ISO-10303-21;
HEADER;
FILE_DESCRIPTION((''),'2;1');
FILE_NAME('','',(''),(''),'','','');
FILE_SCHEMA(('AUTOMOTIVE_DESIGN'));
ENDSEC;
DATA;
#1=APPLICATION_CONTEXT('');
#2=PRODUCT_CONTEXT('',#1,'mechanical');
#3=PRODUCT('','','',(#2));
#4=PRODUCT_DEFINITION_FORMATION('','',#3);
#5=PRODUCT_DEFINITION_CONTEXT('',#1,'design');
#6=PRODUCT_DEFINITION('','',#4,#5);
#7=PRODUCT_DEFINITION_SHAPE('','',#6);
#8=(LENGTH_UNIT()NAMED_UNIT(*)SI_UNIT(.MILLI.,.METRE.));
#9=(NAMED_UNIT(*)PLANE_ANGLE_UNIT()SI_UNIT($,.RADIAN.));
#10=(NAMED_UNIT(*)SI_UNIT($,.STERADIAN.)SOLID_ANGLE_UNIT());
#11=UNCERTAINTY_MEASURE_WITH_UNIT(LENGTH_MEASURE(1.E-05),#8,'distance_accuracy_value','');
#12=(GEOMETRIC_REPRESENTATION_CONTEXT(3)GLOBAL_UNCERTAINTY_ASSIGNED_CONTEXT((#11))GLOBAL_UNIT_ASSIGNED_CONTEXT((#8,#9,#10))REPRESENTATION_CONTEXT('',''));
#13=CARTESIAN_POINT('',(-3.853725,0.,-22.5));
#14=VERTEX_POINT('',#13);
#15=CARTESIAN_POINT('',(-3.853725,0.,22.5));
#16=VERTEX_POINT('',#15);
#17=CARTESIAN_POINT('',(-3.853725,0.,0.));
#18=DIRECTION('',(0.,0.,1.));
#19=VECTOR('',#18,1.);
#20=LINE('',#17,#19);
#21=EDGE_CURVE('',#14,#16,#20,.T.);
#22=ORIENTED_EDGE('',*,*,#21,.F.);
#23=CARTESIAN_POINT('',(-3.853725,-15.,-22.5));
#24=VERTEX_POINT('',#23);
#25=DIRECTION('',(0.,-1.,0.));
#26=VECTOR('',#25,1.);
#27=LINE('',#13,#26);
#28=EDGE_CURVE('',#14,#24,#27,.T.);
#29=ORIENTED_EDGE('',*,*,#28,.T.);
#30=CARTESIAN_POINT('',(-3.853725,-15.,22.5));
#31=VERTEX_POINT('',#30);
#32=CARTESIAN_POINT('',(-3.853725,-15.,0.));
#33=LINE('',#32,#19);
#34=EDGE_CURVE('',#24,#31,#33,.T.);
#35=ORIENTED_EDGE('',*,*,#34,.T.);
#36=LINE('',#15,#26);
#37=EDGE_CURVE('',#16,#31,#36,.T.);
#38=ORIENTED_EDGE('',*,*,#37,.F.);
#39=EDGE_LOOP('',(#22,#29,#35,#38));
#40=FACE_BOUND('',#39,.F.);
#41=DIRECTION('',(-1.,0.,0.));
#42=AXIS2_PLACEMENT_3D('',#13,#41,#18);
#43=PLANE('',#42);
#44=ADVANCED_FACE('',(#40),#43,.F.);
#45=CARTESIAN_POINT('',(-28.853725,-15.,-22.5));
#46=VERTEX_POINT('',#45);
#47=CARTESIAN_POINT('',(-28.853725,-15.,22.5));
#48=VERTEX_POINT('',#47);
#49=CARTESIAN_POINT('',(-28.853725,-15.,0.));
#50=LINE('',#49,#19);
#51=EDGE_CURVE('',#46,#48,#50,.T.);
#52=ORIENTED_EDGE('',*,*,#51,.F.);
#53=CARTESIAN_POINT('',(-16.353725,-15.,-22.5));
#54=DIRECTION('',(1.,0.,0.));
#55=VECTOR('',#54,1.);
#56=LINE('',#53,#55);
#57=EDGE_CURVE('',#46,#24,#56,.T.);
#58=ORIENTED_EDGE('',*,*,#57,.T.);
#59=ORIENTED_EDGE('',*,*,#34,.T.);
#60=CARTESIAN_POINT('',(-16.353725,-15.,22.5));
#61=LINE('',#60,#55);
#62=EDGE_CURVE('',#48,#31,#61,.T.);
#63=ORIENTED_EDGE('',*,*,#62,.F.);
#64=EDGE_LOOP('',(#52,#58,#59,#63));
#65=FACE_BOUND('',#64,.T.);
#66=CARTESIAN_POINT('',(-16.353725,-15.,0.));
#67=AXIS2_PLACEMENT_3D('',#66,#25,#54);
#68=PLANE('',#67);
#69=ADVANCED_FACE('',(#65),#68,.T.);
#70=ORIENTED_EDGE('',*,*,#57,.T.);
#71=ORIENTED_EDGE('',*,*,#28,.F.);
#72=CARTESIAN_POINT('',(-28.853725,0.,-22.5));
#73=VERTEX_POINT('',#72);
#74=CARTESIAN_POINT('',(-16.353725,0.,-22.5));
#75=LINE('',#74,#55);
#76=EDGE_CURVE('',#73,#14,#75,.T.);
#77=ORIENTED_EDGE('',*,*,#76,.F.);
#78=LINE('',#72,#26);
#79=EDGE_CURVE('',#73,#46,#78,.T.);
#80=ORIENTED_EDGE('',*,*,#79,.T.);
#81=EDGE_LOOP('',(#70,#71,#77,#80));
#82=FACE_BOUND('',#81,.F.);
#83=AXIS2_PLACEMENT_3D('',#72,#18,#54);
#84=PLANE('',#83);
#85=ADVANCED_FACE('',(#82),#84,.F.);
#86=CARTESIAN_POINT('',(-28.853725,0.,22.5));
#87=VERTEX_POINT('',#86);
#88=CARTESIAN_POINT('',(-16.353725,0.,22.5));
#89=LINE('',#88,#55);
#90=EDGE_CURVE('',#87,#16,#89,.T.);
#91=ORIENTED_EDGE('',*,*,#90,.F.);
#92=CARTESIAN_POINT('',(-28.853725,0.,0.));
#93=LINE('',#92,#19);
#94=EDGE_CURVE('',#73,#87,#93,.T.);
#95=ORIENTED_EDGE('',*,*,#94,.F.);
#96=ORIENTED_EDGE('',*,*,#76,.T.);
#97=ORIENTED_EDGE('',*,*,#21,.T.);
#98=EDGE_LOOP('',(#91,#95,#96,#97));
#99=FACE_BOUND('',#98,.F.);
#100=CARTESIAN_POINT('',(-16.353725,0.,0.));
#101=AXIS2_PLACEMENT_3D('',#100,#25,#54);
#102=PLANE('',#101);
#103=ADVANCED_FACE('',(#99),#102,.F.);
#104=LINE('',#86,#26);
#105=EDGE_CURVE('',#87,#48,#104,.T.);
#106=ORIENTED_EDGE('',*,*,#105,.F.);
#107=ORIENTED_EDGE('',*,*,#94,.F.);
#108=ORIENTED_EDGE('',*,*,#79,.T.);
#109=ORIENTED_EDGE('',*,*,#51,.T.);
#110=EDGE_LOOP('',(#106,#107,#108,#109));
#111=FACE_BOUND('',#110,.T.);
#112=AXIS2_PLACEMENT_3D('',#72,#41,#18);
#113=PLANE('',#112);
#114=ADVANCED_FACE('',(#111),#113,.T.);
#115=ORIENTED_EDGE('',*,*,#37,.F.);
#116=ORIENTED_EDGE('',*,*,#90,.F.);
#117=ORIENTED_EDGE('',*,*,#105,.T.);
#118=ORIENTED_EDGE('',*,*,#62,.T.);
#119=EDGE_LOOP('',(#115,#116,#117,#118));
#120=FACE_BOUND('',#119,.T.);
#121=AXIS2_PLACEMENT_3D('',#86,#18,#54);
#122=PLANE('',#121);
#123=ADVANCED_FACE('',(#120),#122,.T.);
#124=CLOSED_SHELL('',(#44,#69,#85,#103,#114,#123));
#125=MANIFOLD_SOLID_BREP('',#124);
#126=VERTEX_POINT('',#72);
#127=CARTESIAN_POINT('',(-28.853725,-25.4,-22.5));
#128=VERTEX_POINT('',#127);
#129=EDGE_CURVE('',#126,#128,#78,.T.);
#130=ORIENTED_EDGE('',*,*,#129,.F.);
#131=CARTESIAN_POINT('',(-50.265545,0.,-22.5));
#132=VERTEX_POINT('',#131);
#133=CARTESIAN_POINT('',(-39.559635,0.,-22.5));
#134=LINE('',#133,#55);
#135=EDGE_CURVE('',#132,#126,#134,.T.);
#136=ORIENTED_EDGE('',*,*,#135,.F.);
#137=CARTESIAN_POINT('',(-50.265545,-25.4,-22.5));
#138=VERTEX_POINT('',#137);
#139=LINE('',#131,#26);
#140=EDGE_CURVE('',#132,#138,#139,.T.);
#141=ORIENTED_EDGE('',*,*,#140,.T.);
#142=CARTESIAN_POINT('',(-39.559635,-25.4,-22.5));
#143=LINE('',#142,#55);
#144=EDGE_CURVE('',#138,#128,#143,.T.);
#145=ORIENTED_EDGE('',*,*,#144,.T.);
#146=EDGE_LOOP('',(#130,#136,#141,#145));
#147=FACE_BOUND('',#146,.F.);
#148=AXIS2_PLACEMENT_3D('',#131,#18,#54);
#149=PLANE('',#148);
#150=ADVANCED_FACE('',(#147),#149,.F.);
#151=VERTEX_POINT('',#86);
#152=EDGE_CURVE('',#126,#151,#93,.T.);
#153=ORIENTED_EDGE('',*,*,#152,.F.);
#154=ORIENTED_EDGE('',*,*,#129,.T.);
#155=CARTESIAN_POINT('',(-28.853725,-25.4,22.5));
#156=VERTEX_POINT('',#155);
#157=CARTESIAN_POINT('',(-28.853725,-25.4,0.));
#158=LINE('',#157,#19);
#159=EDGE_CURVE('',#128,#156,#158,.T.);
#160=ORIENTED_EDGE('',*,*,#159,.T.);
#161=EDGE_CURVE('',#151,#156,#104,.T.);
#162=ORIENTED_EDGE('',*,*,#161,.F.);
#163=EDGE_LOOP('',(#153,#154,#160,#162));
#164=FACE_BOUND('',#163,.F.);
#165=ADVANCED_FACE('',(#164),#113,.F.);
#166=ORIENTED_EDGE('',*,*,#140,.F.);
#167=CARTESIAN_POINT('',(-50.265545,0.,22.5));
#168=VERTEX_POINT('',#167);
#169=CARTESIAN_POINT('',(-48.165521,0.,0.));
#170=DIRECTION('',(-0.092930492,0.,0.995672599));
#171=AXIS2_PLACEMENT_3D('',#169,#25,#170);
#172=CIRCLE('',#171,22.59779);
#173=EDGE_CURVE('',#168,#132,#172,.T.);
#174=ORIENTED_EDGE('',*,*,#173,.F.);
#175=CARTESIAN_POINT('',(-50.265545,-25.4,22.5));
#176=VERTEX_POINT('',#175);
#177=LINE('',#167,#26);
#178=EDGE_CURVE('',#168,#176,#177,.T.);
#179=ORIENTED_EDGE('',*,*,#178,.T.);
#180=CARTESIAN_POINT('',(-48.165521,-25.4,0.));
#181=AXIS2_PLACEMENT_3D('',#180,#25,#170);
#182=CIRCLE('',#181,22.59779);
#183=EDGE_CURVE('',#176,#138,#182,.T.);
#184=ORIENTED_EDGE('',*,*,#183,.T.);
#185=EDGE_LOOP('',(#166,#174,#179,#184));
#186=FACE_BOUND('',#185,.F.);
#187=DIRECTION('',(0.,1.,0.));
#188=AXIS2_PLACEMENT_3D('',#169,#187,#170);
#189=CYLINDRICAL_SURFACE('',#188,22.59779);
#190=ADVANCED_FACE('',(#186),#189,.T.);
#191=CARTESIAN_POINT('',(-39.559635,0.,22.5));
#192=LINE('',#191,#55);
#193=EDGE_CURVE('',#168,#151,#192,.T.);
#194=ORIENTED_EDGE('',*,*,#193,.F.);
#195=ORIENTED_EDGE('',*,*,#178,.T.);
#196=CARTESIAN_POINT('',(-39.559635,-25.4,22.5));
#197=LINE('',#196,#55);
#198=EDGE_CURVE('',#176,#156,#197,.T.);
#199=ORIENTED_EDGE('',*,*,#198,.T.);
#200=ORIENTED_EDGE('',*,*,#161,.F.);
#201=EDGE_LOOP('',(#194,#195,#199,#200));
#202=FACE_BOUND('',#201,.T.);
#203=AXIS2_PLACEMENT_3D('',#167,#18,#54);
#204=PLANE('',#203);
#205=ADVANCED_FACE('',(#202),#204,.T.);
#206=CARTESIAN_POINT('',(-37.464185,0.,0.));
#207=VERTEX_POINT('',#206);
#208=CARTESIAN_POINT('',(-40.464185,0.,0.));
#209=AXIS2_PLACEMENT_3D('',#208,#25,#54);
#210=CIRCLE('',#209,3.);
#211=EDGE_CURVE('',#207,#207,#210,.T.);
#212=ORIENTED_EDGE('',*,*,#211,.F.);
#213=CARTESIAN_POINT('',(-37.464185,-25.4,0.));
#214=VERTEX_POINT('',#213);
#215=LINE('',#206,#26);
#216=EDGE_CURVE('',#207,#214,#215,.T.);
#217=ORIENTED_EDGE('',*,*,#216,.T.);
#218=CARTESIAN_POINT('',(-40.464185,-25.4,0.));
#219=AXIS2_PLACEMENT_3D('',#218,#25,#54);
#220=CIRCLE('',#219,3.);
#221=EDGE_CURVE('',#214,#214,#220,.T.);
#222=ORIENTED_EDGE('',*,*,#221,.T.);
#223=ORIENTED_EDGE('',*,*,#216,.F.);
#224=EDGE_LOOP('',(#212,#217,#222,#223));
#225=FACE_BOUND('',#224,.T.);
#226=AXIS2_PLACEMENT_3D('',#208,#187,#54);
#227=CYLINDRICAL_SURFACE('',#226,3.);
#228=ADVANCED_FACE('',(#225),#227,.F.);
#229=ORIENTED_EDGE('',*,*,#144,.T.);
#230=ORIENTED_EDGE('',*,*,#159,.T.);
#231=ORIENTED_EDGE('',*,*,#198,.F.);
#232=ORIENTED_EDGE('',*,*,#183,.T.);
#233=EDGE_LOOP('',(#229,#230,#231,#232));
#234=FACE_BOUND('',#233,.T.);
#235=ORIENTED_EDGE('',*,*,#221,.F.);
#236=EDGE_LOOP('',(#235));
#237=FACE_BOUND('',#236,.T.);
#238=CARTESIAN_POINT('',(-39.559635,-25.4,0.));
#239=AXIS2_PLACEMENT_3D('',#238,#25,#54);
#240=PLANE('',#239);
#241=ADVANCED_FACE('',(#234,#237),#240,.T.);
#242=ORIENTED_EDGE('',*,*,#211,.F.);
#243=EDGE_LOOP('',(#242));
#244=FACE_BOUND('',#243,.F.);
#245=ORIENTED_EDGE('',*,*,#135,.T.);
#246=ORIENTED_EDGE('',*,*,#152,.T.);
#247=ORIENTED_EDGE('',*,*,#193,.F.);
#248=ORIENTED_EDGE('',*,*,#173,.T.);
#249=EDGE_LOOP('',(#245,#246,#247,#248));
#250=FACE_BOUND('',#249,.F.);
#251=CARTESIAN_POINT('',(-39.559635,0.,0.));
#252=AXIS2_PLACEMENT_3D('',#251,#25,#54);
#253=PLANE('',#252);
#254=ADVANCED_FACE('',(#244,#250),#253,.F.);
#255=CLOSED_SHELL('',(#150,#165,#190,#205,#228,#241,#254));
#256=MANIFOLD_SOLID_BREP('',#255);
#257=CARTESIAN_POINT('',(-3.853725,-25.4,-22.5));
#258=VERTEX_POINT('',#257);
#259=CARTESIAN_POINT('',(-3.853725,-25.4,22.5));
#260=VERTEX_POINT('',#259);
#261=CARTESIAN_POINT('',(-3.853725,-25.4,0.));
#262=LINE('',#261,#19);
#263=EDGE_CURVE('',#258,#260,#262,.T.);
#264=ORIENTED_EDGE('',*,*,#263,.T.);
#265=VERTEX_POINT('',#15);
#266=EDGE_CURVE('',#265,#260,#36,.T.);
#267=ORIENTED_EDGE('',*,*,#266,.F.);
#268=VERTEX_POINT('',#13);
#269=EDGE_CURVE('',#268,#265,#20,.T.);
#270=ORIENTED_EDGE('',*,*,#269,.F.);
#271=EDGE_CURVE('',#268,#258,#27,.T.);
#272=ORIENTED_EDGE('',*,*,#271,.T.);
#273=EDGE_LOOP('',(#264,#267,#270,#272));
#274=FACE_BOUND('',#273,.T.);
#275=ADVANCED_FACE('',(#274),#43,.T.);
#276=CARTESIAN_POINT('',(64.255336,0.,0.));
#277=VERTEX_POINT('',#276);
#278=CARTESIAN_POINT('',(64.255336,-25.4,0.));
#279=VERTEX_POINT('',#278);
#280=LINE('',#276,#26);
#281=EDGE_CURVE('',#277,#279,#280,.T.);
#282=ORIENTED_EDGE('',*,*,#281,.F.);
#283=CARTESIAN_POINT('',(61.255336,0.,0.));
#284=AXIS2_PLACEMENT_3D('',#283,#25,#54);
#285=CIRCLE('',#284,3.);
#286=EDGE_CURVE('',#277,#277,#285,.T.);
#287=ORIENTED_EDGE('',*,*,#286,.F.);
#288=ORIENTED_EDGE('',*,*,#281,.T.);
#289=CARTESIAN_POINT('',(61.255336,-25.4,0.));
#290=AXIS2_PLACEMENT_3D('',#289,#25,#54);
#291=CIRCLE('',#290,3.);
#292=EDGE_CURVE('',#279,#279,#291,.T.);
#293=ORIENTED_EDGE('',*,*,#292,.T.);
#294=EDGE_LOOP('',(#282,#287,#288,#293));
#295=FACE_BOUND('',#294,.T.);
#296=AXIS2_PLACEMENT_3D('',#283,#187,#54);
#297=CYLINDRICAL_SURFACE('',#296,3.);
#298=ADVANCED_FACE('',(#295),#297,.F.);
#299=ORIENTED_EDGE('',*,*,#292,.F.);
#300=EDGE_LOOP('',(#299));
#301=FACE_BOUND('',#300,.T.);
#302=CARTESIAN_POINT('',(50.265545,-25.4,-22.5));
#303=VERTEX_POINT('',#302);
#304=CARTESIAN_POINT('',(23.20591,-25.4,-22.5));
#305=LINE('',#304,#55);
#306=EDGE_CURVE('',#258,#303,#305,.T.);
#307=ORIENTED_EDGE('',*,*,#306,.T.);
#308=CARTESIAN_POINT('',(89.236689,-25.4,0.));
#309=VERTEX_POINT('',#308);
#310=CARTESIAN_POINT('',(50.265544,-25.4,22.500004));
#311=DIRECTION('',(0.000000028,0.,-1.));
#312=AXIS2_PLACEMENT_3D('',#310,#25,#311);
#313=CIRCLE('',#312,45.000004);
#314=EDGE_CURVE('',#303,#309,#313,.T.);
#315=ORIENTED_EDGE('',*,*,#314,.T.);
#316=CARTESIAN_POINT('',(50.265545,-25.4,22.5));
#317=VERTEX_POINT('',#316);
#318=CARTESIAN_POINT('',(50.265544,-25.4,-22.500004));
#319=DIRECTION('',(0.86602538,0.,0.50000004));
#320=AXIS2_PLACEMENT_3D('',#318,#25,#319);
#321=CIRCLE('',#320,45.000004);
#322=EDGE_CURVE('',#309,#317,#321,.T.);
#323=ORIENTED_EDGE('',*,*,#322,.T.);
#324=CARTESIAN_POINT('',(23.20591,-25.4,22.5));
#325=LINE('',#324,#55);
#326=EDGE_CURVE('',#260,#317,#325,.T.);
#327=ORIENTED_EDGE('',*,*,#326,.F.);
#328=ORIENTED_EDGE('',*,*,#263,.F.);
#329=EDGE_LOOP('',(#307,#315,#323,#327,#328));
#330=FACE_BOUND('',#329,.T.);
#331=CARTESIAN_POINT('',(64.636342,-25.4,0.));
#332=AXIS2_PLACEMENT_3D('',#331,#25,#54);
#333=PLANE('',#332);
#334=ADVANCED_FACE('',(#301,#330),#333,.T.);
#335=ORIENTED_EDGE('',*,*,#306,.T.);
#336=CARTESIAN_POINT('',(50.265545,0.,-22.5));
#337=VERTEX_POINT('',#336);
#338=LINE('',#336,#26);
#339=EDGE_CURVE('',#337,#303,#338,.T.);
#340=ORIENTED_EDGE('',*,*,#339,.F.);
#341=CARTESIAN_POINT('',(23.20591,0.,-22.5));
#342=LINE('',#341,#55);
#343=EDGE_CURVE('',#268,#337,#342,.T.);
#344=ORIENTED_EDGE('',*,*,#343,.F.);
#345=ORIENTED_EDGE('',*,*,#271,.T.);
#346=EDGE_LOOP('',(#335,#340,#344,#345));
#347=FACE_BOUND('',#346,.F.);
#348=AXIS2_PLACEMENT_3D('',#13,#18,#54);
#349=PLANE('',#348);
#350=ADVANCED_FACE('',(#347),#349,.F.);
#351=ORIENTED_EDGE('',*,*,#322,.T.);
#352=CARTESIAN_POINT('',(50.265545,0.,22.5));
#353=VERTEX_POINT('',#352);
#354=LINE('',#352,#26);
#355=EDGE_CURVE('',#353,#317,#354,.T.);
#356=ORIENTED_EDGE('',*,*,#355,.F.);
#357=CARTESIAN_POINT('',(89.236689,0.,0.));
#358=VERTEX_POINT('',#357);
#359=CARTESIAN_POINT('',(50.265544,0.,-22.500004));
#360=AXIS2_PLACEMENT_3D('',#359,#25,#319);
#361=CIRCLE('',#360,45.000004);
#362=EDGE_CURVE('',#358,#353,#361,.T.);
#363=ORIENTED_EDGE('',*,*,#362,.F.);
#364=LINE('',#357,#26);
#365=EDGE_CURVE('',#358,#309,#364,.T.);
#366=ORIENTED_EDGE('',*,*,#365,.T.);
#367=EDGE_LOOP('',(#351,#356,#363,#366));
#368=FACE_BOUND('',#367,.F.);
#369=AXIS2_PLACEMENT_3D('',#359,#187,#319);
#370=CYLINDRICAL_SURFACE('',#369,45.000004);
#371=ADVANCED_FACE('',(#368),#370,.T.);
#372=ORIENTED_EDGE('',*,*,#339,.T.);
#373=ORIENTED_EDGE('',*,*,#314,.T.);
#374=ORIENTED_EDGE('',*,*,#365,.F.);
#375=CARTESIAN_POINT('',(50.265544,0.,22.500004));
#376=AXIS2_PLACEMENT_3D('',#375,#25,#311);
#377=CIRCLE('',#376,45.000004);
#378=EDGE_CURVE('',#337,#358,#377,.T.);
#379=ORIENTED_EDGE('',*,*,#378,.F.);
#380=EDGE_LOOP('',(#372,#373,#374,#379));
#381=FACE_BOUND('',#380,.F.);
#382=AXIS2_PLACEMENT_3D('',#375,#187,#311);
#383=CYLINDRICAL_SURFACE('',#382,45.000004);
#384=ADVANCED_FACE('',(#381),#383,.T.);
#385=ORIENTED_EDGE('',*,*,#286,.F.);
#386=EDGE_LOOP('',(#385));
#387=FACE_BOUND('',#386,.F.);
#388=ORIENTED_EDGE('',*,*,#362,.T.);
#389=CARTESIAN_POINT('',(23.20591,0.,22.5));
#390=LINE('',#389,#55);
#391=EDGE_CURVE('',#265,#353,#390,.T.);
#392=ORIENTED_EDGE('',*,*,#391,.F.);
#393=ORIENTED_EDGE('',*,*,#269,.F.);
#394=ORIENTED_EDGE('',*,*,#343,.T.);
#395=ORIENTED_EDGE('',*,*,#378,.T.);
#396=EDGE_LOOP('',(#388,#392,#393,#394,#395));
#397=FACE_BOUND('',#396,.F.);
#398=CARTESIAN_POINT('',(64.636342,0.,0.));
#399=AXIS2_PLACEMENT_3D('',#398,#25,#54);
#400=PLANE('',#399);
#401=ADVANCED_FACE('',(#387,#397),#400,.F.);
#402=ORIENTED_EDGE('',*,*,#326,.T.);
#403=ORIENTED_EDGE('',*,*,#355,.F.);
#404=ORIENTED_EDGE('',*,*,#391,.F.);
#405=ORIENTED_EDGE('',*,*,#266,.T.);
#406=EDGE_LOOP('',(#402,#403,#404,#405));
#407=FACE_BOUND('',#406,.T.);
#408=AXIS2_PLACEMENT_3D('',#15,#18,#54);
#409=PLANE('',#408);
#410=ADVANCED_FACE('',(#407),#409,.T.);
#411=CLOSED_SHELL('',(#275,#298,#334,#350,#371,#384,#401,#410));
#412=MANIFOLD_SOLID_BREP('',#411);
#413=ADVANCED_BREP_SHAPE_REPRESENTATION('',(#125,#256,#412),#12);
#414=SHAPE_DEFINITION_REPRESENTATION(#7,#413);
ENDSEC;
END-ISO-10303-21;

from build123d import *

# Parameters (mm, degrees)
F0_R     = 3
F0_W     = 54.11927
F0_H     = 45
F0_W_2   = 21.41182
F1_DEPTH = 25.4
F0_W_3   = 25
F2_DEPTH = 15


with BuildPart() as f1:
    # F0 (on Front) → F1 (new body)
    with BuildSketch(Plane.XZ):
        with BuildLine():
            ThreePointArc((89.236689, 0), (72.765545, 16.471143), (50.265545, 22.5))
            Line((50.265545, 22.5), (50.265545, -22.5))
            ThreePointArc((50.265545, -22.5), (72.765545, -16.471143), (89.236689, 0))
        make_face()
        with Locations((61.255336, 0)):
            Circle(F0_R, mode=Mode.SUBTRACT)
        with Locations((23.20591, 0)):
            Rectangle(F0_W, F0_H)
        with Locations((-39.559635, 0)):
            Rectangle(F0_W_2, F0_H)
        with Locations((-40.464185, 0)):
            Circle(F0_R, mode=Mode.SUBTRACT)
        with BuildLine():
            Line((-50.265545, -22.5), (-50.265545, 22.5))
            ThreePointArc((-50.265545, 22.5), (-70.763311, 0), (-50.265545, -22.5))
        make_face()
    extrude(amount=F1_DEPTH)


with BuildPart() as f2:
    # F0 (on Front) → F2 (new body)
    with BuildSketch(Plane.XZ):
        with Locations((-16.353725, 0)):
            Rectangle(F0_W_3, F0_H)
    extrude(amount=F2_DEPTH)


solid = Compound([f1.part, f2.part])
